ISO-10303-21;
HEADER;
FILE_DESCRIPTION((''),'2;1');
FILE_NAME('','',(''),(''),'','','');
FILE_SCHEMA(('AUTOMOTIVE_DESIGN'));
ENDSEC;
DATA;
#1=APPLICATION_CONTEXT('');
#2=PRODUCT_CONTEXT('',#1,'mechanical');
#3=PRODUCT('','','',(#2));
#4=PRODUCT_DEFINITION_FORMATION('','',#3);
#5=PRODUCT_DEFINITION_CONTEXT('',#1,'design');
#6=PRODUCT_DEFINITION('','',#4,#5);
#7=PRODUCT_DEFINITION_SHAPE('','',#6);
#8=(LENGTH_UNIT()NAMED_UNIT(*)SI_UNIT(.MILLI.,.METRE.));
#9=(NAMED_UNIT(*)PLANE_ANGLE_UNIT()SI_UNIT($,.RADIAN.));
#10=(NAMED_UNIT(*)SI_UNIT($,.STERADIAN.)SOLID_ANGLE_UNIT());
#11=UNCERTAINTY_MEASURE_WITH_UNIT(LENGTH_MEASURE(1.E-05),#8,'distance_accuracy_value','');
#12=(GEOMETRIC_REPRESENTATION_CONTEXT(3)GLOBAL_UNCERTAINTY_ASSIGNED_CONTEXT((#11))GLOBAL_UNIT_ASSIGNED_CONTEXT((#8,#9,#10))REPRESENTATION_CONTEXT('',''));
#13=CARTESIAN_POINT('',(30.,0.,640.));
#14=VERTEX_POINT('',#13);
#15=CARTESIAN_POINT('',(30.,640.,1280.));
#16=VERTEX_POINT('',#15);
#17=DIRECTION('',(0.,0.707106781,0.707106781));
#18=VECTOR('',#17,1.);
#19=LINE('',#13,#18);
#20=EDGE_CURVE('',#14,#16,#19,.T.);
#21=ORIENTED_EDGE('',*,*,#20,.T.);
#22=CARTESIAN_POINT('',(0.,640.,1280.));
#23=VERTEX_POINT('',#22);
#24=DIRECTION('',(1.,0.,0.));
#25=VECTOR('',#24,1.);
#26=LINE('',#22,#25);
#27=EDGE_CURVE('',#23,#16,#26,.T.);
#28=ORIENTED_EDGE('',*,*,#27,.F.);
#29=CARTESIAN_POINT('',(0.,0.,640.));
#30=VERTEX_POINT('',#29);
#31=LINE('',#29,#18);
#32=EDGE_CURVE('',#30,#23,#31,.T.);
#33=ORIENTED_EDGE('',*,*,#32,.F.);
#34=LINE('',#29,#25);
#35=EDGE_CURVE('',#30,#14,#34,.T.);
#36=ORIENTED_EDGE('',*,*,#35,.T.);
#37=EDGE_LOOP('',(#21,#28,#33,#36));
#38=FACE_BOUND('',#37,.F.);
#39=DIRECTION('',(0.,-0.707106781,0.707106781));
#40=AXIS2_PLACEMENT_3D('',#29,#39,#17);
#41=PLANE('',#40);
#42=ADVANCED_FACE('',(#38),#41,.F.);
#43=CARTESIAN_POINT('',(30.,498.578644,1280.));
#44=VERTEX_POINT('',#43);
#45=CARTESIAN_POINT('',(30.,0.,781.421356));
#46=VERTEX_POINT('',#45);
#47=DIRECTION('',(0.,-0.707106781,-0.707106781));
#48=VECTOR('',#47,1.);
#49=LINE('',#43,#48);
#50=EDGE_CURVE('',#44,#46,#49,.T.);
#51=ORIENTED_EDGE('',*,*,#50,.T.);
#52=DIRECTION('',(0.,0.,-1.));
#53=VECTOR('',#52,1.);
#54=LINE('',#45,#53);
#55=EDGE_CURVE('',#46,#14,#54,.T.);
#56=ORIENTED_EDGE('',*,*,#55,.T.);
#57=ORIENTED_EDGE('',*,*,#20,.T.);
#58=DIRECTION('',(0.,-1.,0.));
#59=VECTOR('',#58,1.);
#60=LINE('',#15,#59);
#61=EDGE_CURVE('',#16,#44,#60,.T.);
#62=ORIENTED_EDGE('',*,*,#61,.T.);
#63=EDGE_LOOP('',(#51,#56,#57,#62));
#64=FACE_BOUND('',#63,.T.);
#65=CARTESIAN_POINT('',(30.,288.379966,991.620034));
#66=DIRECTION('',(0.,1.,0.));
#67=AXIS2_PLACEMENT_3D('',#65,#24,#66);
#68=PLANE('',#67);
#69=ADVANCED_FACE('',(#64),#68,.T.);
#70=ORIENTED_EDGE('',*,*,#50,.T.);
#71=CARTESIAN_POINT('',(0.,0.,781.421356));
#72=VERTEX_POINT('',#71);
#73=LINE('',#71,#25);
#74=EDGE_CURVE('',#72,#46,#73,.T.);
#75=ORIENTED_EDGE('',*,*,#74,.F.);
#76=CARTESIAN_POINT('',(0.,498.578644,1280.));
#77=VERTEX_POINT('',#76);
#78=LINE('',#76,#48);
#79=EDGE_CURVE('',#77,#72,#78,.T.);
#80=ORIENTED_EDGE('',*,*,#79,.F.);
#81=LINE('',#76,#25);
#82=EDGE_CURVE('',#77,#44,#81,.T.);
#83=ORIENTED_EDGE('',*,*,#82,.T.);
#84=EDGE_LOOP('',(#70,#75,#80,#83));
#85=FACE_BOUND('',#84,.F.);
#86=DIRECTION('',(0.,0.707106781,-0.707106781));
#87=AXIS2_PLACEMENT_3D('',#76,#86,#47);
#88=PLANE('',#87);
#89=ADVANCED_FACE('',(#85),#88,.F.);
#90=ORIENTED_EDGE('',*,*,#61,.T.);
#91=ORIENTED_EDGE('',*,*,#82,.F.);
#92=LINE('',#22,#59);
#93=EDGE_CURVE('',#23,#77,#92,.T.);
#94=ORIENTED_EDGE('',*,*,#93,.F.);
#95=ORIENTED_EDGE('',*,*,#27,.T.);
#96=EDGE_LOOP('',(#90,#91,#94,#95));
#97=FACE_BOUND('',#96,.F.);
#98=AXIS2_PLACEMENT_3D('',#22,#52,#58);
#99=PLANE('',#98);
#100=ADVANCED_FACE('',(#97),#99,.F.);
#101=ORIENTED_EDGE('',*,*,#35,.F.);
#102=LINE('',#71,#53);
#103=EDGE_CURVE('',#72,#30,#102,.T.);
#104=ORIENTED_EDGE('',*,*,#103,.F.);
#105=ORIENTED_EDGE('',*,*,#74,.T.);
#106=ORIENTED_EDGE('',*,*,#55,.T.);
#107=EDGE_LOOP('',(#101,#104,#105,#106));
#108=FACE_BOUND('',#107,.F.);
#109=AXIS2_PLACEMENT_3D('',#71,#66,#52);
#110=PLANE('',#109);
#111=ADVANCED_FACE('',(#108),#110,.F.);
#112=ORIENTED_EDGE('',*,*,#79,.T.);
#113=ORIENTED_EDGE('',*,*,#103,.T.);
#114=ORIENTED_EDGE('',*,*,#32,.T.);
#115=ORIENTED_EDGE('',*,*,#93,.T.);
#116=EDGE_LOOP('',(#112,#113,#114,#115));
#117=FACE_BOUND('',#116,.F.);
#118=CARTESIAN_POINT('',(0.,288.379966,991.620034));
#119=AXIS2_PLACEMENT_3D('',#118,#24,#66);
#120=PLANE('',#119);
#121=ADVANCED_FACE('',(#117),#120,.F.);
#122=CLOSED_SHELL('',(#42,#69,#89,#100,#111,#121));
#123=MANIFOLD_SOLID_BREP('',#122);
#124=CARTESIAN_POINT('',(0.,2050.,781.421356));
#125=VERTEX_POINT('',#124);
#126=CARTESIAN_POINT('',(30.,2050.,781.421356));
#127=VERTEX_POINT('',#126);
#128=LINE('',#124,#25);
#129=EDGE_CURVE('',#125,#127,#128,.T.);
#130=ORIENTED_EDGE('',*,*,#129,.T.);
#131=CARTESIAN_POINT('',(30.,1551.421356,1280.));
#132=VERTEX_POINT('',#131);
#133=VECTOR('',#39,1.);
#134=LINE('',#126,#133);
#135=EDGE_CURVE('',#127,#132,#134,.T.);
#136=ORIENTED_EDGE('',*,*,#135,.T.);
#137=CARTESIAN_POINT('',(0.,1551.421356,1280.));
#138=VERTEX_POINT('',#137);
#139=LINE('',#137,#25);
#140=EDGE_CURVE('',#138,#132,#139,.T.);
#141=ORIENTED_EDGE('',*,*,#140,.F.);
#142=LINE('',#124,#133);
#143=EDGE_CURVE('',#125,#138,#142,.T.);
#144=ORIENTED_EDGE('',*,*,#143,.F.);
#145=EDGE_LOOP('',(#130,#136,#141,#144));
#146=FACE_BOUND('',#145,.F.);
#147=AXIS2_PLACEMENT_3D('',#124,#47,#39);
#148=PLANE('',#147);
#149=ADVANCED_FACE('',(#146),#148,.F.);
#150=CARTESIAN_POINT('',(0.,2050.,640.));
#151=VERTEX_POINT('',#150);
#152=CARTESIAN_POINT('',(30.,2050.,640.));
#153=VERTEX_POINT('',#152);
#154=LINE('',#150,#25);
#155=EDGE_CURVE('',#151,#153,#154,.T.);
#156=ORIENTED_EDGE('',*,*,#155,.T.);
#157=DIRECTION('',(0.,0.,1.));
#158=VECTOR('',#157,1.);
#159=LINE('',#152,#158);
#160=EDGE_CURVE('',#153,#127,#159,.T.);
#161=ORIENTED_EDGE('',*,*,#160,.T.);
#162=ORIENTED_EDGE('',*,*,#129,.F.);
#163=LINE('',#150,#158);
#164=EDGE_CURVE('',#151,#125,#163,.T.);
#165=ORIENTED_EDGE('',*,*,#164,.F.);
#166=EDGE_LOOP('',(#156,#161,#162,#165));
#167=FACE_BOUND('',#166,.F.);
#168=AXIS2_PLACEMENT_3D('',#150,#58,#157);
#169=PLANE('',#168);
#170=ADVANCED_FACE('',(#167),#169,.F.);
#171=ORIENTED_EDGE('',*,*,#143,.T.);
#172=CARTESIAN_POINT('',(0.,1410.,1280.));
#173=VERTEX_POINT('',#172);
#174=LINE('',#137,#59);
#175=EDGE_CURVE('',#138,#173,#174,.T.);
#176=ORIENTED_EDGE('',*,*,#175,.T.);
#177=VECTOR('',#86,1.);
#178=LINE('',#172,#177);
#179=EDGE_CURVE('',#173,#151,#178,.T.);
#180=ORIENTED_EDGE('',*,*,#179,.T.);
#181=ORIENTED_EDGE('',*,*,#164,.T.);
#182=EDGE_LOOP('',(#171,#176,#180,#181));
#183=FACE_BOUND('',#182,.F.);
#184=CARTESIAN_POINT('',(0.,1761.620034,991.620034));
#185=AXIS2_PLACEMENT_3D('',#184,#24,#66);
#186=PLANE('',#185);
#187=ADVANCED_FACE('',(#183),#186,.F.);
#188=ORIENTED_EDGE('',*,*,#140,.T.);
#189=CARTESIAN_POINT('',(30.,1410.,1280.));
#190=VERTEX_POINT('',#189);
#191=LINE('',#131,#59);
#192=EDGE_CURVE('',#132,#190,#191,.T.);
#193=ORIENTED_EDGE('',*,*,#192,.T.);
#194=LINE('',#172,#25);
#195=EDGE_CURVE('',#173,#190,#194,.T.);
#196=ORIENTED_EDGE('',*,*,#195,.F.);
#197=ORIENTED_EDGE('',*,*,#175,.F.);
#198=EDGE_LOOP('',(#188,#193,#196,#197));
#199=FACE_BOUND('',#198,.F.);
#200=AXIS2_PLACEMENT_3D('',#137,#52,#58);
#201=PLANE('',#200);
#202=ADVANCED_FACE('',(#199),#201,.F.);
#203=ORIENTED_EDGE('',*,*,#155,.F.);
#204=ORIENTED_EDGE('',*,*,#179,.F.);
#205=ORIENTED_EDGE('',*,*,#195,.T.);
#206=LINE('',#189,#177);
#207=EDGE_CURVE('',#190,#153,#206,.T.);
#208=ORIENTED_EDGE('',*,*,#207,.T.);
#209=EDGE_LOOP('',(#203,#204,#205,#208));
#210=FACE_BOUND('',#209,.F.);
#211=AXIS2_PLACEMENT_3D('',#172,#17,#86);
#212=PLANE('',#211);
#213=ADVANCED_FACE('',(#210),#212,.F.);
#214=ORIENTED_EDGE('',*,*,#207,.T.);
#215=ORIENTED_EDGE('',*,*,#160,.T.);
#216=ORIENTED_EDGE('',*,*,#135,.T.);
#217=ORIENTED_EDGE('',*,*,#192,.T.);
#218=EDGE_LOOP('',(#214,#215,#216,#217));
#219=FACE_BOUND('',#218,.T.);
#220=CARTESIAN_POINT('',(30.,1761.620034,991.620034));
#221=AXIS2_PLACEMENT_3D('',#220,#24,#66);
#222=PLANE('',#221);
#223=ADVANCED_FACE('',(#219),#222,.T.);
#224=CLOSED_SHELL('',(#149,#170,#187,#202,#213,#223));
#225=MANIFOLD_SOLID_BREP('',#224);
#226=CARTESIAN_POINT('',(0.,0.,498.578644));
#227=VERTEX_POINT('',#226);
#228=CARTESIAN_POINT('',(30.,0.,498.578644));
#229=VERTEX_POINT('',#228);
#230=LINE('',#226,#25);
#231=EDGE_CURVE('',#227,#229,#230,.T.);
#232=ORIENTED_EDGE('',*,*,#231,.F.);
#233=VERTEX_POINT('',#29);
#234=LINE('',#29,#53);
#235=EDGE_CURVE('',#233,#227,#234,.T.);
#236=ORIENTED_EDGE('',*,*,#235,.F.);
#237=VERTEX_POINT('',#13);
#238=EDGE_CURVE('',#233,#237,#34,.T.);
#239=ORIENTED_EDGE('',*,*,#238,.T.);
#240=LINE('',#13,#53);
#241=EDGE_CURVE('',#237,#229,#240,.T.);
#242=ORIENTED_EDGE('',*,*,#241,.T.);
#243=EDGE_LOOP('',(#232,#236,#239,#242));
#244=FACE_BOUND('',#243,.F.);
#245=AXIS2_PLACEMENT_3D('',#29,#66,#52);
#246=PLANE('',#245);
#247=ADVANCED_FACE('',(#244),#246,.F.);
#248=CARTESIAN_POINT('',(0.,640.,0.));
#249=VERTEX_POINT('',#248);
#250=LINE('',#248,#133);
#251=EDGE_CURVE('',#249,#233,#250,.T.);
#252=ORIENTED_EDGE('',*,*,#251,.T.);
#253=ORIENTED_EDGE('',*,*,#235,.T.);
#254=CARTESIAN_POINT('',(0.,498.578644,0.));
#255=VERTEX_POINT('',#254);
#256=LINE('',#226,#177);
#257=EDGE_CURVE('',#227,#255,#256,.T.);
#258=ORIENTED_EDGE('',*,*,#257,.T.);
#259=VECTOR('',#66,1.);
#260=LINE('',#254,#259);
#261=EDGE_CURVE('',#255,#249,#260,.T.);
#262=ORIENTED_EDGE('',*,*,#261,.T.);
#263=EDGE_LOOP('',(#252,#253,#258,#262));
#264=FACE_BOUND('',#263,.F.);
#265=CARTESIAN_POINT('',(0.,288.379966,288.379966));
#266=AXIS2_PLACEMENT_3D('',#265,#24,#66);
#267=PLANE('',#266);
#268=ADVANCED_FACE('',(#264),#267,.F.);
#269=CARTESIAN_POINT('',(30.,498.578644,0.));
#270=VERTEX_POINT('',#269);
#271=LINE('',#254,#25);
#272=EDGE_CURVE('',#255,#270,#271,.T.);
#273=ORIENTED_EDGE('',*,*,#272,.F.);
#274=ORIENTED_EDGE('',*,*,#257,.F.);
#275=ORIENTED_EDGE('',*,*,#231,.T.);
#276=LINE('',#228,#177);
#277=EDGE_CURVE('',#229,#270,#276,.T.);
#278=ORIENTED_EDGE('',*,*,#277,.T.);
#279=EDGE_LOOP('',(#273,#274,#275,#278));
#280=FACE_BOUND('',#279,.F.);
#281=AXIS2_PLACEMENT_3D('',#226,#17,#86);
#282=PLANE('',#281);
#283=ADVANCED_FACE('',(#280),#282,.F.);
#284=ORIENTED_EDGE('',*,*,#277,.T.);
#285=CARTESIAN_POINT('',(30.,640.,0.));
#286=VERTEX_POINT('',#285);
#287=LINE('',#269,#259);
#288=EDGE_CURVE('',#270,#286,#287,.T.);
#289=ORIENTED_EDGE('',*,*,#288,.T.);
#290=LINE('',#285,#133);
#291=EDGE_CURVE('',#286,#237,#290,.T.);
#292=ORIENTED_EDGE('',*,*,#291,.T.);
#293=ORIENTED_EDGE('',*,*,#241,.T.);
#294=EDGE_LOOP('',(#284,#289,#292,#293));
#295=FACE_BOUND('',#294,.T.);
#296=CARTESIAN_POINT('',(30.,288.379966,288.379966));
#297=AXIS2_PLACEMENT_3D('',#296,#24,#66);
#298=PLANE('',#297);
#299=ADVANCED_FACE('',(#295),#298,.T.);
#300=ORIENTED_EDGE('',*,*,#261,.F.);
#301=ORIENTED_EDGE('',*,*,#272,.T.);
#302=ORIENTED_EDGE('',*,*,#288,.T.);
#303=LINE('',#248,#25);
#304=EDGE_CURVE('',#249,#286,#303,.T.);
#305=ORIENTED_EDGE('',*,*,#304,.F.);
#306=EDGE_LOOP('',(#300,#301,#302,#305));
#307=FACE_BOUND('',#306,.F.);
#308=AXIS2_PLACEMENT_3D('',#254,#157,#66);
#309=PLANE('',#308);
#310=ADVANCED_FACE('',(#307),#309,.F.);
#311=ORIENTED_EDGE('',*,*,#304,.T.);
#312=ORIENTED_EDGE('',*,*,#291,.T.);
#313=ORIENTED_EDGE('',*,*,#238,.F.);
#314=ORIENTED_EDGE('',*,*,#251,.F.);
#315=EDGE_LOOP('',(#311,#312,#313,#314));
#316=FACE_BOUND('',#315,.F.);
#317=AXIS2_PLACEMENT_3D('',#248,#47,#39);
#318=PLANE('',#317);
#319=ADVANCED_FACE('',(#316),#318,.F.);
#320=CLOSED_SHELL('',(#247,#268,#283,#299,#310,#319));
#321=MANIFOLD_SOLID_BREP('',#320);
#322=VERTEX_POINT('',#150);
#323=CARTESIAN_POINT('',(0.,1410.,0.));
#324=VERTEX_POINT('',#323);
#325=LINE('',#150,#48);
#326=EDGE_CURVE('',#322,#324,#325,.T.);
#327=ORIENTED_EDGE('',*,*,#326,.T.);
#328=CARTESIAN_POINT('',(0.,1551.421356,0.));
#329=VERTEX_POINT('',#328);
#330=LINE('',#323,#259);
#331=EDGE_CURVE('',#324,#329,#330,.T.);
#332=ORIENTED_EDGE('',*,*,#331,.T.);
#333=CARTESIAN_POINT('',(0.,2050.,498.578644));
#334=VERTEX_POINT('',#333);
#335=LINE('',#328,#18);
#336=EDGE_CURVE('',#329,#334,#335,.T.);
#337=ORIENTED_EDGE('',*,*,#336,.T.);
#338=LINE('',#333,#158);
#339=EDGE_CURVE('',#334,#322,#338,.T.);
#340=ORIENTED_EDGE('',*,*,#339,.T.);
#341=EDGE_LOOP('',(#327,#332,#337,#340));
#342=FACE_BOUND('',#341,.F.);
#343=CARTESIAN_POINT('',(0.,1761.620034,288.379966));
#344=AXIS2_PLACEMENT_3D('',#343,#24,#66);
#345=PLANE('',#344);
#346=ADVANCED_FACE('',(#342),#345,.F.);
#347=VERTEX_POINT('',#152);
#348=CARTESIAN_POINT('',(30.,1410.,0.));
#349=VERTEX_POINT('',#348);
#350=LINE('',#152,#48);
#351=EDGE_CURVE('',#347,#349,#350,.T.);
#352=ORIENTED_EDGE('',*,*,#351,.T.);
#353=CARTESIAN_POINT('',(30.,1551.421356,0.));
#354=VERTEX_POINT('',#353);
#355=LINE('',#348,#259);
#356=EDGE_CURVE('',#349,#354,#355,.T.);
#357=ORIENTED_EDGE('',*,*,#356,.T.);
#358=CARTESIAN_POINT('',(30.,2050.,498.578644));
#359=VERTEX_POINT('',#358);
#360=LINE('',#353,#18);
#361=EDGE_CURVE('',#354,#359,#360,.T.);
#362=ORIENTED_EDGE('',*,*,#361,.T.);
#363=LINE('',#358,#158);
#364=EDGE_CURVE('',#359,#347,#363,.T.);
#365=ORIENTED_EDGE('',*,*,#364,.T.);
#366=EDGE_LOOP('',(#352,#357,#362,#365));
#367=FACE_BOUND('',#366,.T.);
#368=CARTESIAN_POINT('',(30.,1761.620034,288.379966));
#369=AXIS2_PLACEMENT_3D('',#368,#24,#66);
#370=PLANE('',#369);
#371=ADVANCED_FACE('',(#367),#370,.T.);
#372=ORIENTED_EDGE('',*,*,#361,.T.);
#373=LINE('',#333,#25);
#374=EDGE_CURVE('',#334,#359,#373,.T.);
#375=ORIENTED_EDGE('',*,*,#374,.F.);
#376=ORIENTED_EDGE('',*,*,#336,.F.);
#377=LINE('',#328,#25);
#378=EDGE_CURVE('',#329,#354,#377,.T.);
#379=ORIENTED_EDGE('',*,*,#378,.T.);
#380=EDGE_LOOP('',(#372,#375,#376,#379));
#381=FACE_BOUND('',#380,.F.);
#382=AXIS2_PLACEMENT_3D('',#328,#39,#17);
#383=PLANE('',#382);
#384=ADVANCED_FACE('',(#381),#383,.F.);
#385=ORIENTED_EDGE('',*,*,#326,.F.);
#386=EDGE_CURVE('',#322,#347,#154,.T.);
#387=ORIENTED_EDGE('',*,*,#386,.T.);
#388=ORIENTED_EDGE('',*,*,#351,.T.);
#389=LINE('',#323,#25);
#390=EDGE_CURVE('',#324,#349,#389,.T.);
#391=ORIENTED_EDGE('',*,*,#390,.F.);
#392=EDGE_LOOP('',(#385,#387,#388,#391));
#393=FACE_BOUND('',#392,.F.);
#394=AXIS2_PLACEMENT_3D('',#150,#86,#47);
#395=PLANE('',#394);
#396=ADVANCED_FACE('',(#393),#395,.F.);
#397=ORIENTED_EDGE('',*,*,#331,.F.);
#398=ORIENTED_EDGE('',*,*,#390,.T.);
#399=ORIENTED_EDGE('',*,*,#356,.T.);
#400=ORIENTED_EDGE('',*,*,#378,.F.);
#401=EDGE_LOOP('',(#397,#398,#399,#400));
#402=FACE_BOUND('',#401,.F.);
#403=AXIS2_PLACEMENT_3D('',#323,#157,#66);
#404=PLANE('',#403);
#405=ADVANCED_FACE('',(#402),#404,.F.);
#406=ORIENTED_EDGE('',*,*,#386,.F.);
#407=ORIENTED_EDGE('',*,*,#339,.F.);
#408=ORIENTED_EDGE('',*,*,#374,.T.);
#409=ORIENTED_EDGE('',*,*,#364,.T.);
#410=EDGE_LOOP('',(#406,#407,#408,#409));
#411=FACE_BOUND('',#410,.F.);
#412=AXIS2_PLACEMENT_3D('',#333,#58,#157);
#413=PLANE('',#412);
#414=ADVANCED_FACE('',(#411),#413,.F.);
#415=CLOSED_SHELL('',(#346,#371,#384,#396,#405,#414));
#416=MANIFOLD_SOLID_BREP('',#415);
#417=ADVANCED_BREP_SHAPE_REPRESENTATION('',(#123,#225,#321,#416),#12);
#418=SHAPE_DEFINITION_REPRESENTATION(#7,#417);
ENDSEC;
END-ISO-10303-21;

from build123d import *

# Parameters (mm, degrees)
F1_DEPTH = 30


with BuildPart() as f1:
    # F0 (on Right) → F1 (new body)
    with BuildSketch(Plane.YZ):
        Polygon((0, 781.421356), (0, 640), (640, 1280), (498.578644, 1280), align=None)
        Polygon((0, 640), (0, 498.578644), (498.578644, 0), (640, 0), align=None)
        Polygon((2050, 498.578644), (2050, 640), (1410, 0), (1551.421356, 0), align=None)
        Polygon((2050, 781.421356), (1551.421356, 1280), (1410, 1280), (2050, 640), align=None)
    extrude(amount=F1_DEPTH)


solid = f1.part
